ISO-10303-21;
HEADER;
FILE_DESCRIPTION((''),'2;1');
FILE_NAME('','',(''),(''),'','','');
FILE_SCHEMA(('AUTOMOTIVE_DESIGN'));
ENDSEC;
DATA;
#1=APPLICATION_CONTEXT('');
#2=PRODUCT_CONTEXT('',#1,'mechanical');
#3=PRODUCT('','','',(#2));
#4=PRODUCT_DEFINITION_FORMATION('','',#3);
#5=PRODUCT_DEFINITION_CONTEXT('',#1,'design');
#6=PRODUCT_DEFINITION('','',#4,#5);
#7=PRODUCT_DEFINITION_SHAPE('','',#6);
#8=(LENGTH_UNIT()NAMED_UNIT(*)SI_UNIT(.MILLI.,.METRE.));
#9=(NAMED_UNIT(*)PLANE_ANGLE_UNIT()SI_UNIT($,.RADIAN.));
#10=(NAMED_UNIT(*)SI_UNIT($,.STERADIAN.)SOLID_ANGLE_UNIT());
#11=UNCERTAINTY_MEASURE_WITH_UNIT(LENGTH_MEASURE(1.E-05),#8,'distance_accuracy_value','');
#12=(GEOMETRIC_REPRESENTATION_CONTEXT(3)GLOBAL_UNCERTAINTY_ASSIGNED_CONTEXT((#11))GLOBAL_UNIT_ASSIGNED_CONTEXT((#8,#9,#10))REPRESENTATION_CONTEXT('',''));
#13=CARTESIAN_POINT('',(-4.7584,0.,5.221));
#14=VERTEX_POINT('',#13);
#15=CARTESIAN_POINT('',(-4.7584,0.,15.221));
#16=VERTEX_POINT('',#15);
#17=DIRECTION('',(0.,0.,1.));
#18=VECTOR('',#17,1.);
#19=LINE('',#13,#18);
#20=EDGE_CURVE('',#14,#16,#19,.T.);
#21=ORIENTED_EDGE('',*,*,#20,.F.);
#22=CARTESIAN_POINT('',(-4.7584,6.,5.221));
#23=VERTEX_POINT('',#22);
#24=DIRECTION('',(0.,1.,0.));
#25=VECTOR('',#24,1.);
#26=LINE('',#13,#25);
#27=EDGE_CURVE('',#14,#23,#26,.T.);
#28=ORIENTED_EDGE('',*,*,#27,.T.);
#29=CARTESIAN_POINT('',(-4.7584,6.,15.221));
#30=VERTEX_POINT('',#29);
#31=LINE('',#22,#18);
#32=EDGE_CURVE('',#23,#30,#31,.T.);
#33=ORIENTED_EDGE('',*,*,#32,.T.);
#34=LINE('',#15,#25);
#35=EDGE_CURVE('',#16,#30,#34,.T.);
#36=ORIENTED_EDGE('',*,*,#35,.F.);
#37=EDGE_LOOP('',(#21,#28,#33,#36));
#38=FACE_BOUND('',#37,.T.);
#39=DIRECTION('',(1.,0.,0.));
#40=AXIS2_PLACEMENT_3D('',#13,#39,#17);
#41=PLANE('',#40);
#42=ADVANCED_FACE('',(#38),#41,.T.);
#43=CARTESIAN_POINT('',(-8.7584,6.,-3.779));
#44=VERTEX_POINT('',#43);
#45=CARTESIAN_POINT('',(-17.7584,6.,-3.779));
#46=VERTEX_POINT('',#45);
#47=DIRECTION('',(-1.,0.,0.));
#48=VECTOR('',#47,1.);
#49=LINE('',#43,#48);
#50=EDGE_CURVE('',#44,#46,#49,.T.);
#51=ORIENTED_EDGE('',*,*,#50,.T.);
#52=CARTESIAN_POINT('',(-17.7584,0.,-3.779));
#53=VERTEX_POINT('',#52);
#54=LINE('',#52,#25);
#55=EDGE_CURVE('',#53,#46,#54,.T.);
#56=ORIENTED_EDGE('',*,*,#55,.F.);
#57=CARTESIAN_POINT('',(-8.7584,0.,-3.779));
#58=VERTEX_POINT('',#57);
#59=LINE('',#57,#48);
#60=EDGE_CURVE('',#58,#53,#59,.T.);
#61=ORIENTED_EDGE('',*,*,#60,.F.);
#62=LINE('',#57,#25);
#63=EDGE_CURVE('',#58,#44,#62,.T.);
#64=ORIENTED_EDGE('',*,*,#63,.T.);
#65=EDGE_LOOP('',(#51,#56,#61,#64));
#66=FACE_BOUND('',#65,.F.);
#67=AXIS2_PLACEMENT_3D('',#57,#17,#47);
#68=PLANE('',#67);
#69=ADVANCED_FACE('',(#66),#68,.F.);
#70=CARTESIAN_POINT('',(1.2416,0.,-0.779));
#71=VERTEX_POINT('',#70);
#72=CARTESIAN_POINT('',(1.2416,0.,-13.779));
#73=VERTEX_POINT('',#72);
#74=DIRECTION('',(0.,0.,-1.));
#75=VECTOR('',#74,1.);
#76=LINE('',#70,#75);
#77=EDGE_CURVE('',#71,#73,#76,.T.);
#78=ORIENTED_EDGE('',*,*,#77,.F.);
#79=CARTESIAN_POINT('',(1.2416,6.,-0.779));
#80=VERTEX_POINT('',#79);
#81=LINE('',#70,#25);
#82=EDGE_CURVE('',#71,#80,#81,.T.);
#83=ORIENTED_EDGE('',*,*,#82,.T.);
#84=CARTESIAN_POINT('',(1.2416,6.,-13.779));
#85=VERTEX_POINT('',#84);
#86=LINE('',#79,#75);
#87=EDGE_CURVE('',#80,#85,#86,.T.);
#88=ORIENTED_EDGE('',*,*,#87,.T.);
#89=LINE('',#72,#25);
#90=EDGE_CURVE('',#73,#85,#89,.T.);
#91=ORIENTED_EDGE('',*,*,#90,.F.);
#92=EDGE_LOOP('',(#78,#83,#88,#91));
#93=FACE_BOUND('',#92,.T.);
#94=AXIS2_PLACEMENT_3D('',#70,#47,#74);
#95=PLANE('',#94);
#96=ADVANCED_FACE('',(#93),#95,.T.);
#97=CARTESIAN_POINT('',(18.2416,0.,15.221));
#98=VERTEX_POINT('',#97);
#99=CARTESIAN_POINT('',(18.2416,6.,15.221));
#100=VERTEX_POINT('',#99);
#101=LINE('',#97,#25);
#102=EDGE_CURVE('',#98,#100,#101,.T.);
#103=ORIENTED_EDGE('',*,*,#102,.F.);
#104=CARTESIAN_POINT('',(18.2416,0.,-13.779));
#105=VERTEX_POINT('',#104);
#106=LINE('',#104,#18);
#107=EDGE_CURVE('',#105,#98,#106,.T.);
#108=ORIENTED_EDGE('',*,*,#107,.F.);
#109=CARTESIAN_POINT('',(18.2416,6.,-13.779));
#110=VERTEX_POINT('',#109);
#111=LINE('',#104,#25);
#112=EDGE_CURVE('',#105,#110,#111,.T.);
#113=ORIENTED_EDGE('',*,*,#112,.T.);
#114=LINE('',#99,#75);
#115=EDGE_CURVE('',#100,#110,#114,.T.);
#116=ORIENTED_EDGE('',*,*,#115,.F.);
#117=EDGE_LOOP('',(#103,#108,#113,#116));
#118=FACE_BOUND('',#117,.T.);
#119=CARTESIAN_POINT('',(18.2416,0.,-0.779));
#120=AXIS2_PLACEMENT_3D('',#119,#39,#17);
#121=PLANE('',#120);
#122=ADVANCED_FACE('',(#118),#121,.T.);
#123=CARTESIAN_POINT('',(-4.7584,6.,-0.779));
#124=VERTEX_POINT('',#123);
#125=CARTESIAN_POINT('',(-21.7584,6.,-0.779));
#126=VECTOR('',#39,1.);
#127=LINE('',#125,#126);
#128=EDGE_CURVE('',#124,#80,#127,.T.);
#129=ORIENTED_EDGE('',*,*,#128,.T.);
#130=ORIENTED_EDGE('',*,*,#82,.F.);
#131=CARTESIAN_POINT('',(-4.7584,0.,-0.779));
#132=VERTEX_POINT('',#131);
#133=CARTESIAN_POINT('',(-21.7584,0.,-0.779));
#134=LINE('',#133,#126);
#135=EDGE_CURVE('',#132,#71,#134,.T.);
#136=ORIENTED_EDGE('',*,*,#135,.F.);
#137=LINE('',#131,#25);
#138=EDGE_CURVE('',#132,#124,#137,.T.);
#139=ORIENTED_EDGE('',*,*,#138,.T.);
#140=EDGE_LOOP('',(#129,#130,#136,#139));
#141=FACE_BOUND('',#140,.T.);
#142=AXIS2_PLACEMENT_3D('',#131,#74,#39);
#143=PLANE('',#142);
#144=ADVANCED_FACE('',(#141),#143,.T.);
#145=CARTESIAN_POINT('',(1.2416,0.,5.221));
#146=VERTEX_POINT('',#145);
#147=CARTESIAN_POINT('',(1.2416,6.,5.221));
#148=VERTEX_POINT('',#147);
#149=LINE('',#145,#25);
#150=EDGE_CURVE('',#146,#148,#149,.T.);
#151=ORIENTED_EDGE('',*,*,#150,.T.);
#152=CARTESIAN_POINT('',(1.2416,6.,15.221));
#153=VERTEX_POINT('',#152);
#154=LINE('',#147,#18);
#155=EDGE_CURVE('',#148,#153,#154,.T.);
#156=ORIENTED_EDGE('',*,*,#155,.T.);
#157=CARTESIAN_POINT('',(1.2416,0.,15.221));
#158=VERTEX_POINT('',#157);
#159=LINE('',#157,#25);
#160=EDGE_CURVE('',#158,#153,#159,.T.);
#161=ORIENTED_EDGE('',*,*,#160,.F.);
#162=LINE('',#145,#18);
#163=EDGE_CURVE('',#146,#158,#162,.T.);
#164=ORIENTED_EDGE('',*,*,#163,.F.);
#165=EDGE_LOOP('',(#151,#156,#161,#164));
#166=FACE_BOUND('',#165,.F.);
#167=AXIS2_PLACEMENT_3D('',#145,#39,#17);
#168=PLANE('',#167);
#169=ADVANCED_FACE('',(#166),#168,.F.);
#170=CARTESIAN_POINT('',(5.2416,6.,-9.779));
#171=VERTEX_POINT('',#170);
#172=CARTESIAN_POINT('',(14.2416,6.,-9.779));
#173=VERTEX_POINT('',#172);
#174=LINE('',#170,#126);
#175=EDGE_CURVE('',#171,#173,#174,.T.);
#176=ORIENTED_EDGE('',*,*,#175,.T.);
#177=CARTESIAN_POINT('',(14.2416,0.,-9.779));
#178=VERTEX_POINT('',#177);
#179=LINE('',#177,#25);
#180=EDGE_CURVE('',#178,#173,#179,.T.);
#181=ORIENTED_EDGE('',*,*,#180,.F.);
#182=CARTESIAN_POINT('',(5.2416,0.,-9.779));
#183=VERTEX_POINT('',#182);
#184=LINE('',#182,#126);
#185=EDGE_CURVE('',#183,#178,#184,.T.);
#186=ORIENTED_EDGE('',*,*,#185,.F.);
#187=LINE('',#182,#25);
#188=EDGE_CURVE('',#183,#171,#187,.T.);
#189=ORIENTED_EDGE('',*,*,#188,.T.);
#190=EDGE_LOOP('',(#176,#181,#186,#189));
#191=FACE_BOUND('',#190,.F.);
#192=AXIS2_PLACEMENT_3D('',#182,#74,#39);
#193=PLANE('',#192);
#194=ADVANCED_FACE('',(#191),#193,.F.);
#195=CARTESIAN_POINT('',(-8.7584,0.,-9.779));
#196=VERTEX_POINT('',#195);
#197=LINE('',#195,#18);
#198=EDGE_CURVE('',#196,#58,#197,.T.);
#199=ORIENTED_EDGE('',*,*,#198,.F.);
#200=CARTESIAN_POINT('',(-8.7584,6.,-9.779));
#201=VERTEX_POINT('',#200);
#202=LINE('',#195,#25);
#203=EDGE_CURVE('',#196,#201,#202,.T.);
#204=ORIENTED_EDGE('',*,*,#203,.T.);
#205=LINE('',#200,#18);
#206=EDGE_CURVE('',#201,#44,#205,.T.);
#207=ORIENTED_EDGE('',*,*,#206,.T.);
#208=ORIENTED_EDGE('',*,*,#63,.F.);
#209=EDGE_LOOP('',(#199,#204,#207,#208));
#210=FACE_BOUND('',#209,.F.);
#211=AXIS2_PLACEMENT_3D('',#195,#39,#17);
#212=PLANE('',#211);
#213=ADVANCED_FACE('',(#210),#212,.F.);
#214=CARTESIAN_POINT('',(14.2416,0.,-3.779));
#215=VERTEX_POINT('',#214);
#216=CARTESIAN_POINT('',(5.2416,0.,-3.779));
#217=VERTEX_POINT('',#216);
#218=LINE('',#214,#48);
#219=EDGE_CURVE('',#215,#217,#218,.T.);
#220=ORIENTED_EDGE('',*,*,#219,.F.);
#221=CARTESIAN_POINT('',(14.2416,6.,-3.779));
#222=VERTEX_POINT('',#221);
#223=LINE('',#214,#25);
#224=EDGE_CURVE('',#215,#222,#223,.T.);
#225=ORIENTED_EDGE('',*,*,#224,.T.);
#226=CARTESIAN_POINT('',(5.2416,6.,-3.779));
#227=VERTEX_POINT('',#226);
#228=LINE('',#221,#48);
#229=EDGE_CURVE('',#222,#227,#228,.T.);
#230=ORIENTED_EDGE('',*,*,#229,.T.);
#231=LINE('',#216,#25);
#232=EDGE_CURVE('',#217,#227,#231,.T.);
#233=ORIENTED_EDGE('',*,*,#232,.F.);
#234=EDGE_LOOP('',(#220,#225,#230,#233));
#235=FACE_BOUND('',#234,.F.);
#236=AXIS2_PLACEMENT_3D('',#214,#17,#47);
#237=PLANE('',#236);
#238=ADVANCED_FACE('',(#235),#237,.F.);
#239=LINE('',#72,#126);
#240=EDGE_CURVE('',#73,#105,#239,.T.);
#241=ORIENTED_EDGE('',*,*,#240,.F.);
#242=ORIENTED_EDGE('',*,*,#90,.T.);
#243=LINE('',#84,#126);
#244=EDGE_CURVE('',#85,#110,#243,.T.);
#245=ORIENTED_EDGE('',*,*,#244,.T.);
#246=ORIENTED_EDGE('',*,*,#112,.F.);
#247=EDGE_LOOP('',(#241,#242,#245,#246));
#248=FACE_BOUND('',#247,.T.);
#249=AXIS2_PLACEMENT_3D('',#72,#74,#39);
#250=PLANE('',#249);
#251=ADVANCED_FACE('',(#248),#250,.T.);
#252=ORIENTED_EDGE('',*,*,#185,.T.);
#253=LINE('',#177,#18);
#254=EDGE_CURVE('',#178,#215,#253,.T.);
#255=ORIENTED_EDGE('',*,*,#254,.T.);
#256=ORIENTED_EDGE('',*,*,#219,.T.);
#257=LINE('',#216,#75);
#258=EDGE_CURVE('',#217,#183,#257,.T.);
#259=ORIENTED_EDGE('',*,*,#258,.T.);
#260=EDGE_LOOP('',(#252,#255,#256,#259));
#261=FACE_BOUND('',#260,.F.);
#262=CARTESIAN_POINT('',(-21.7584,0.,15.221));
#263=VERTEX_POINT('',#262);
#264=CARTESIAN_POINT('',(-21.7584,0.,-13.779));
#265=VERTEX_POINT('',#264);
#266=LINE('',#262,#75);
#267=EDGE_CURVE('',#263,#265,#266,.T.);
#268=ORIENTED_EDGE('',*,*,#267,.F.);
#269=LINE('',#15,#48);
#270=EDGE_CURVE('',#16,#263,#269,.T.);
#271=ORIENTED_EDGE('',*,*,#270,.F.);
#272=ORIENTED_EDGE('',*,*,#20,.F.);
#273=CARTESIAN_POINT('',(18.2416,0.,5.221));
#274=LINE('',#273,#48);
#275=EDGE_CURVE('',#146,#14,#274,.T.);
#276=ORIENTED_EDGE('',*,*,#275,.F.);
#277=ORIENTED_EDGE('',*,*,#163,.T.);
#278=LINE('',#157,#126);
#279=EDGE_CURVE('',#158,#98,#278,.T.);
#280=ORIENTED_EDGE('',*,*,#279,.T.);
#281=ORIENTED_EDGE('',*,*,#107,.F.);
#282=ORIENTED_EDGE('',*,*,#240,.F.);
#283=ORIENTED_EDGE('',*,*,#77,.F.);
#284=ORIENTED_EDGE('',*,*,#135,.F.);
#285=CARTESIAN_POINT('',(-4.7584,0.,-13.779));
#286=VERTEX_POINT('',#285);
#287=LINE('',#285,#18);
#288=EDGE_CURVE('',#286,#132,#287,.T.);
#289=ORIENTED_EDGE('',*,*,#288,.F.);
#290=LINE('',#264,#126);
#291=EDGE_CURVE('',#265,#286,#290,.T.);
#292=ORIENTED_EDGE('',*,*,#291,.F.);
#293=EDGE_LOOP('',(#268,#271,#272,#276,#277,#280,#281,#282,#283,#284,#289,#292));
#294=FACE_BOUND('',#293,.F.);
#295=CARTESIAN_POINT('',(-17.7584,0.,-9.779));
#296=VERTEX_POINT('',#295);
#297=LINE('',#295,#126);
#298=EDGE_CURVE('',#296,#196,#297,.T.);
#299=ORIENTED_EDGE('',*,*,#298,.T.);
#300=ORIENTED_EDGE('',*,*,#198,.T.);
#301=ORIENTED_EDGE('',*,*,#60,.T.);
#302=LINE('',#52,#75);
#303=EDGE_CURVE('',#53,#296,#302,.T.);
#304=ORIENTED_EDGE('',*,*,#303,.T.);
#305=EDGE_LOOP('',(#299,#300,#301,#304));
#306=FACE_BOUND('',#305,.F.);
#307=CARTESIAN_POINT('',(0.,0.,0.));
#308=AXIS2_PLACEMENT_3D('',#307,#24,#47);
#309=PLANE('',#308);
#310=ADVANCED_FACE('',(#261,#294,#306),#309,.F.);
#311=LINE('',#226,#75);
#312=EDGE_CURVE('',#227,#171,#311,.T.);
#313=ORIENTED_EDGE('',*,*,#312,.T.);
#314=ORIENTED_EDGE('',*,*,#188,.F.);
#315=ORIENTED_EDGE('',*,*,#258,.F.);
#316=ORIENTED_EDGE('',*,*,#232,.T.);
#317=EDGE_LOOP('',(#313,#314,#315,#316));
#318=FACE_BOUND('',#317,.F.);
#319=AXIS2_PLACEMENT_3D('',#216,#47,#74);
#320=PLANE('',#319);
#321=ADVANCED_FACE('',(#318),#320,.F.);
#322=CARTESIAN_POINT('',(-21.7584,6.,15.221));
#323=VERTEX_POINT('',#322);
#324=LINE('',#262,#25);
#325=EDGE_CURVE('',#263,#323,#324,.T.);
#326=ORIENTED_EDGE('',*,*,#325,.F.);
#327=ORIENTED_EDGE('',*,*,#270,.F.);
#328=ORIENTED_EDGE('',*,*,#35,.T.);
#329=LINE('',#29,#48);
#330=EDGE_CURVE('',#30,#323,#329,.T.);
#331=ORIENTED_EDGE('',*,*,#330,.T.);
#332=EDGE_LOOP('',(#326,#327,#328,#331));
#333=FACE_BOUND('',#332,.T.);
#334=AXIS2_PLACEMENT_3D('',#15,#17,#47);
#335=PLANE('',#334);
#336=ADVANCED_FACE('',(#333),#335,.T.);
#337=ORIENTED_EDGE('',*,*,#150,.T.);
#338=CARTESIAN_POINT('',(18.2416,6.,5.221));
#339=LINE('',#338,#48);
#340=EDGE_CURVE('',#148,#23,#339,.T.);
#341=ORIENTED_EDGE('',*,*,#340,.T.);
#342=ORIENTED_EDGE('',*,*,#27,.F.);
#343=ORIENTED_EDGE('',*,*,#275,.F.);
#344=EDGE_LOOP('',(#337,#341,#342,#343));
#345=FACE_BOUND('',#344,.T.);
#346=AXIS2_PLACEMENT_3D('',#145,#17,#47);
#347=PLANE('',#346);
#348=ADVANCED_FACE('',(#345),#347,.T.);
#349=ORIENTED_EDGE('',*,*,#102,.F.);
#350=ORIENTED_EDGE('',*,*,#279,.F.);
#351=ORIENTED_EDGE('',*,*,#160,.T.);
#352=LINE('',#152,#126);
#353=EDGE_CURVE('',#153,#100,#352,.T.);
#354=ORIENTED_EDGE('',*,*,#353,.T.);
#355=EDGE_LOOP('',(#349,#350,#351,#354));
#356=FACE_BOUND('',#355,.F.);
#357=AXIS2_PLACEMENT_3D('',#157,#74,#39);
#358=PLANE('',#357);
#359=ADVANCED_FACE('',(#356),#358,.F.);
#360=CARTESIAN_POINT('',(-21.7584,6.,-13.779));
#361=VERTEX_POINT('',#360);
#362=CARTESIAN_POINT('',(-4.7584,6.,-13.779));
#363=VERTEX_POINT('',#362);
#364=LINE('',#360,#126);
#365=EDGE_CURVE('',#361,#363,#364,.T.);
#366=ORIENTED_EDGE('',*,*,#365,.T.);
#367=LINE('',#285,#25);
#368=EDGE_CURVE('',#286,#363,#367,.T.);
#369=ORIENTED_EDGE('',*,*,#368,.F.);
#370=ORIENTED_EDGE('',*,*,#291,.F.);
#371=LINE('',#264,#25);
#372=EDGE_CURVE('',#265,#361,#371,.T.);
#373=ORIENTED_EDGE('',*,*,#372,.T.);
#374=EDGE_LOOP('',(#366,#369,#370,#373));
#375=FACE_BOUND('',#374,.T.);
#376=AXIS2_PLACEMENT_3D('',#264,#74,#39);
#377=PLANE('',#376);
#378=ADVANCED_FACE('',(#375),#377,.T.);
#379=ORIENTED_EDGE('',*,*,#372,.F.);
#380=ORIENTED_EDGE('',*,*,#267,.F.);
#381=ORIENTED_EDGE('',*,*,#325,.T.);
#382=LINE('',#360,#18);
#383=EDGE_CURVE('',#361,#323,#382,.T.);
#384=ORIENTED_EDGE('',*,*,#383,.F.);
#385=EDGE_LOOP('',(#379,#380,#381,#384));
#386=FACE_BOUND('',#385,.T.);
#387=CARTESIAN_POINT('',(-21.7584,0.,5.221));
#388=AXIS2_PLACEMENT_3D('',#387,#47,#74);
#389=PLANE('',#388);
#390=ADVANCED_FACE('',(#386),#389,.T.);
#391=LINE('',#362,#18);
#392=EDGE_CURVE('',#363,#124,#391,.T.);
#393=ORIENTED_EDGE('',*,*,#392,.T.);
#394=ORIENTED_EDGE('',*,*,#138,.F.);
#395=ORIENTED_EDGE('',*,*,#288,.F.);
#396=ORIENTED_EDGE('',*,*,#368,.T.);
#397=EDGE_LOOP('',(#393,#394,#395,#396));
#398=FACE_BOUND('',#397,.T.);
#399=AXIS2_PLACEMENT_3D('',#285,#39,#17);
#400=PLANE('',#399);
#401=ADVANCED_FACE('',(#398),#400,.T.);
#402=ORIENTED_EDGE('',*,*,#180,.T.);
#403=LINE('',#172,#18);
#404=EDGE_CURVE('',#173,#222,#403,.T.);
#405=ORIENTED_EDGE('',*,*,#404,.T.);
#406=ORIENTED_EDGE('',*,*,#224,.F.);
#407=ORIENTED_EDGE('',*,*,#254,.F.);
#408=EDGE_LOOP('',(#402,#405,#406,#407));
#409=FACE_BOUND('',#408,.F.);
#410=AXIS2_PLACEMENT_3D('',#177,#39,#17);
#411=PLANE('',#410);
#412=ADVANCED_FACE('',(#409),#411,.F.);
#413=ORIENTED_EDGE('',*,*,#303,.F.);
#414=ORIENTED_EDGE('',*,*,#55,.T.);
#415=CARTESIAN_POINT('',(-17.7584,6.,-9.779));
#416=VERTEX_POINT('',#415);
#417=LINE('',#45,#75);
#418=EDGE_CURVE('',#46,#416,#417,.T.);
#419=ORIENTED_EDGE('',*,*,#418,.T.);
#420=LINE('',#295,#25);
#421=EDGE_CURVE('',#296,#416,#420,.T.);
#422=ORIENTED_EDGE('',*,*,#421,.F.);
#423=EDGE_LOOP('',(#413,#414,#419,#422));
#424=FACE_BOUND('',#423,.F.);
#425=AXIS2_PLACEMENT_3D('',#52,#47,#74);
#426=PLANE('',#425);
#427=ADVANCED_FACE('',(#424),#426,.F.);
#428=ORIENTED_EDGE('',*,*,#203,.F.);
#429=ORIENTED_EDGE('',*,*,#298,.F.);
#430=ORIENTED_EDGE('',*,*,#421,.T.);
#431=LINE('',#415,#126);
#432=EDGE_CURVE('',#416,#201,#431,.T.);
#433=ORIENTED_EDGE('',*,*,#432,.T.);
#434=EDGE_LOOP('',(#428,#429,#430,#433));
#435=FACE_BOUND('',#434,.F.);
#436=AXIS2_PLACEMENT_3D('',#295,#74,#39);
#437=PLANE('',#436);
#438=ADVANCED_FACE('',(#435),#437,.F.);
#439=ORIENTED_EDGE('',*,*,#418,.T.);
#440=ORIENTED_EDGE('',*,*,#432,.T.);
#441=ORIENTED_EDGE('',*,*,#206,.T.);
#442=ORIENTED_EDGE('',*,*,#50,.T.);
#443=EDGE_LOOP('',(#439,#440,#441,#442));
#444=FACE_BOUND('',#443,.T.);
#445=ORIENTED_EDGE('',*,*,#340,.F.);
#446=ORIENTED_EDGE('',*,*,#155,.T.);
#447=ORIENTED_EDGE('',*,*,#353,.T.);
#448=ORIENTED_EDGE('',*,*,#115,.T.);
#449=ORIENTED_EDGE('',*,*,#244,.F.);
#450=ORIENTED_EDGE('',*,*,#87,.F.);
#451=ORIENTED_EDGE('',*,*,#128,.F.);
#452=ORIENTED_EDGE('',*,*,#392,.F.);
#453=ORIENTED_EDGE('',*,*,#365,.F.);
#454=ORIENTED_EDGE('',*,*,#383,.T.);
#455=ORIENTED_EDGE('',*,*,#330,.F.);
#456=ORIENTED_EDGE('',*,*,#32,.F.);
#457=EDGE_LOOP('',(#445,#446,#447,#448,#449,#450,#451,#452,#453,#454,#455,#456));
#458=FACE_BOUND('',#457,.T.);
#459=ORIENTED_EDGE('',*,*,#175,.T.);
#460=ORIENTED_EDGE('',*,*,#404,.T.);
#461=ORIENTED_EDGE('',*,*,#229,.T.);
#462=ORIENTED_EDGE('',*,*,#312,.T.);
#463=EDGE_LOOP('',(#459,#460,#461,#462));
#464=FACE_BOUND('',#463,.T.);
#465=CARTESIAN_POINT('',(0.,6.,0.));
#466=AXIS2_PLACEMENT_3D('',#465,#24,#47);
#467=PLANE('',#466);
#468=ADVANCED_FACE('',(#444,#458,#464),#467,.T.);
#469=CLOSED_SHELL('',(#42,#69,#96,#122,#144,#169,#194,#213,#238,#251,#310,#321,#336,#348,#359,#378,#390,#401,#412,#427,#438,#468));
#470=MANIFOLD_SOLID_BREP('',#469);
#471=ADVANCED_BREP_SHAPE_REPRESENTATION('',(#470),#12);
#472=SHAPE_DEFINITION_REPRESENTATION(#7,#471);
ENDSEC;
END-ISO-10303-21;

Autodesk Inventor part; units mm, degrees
ref_plane "YZ Plane" through (0, 0, 0) normal (1, 0, 0) x (0, 1, 0)
ref_plane "XZ Plane" through (0, 0, 0) normal (0, 1, 0) x (-1, 0, 0)
ref_plane "XY Plane" through (0, 0, 0) normal (0, 0, 1) x (1, 0, 0)
sketch "Sketch1" plane through (0, 0, 0) normal (0, 1, 0) x (-1, 0, 0)
  line L0 (4.7584, -0.779) -> (21.7584, -0.779)
  line L1 (21.7584, -0.779) -> (21.7584, -13.779)
  line L2 (21.7584, -13.779) -> (4.7584, -13.779)
  line L3 (4.7584, -13.779) -> (4.7584, -0.779)
  line L4 (8.7584, -3.779) -> (17.7584, -3.779)
  line L5 (17.7584, -3.779) -> (17.7584, -9.779)
  line L6 (17.7584, -9.779) -> (8.7584, -9.779)
  line L7 (8.7584, -9.779) -> (8.7584, -3.779)
  line L8 (21.7584, -0.779) -> (-18.2416, -0.779)
  line L9 (-18.2416, -0.779) -> (-18.2416, 5.221)
  line L10 (-18.2416, 5.221) -> (21.7584, 5.221)
  line L11 (21.7584, 5.221) -> (21.7584, -0.779)
  line L12 (17.7584, -6.6245) -> (21.7584, -6.6245) construction
  line L13 (8.7584, -6.779) -> (4.7584, -6.779) construction
  line L14 (-18.2416, -0.779) -> (-1.2416, -0.779)
  line L15 (-1.2416, -0.779) -> (-1.2416, -13.779)
  line L16 (-1.2416, -13.779) -> (-18.2416, -13.779)
  line L17 (-18.2416, -13.779) -> (-18.2416, -0.779)
  line L18 (-14.2416, -3.779) -> (-5.2416, -3.779)
  line L19 (-5.2416, -3.779) -> (-5.2416, -9.779)
  line L20 (-5.2416, -9.779) -> (-14.2416, -9.779)
  line L21 (-14.2416, -9.779) -> (-14.2416, -3.779)
  line L22 (-5.2416, -6.779) -> (-1.2416, -6.779) construction
  line L23 (-18.2416, -6.779) -> (-14.2416, -6.779) construction
  line L24 (21.7584, 5.221) -> (4.7584, 5.221)
  line L25 (4.7584, 5.221) -> (4.7584, 15.221)
  line L26 (4.7584, 15.221) -> (21.7584, 15.221)
  line L27 (21.7584, 15.221) -> (21.7584, 5.221)
  line L28 (-18.2416, 5.221) -> (-1.2416, 5.221)
  line L29 (-1.2416, 5.221) -> (-1.2416, 15.221)
  line L30 (-1.2416, 15.221) -> (-18.2416, 15.221)
  line L31 (-18.2416, 15.221) -> (-18.2416, 5.221)
  point P0 (0, 0)
  dimension "d0" = 9
  dimension "d1" = 6
  dimension "d2" = 4
  dimension "d3" = 40
  dimension "d4" = 6
  dimension "d5" = 4
  dimension "d6" = 3
  dimension "d7" = 4
  dimension "d8" = 9
  dimension "d9" = 6
  dimension "d10" = 3
  dimension "d11" = 4
  dimension "d14" = 10
  dimension "d15" = 10
extrude "Extrusion1" add sketch "Sketch1" along normal blind 6
equation "\"d5\" = d2"
equation "\"d7\" = d2"
equation "\"d8\" = d0"
equation "\"d9\" = d1"
equation "\"d10\" = d6"
equation "\"d11\" = d5"
equation "\"d15\" = d14"
properties part number "flipper-holder"
